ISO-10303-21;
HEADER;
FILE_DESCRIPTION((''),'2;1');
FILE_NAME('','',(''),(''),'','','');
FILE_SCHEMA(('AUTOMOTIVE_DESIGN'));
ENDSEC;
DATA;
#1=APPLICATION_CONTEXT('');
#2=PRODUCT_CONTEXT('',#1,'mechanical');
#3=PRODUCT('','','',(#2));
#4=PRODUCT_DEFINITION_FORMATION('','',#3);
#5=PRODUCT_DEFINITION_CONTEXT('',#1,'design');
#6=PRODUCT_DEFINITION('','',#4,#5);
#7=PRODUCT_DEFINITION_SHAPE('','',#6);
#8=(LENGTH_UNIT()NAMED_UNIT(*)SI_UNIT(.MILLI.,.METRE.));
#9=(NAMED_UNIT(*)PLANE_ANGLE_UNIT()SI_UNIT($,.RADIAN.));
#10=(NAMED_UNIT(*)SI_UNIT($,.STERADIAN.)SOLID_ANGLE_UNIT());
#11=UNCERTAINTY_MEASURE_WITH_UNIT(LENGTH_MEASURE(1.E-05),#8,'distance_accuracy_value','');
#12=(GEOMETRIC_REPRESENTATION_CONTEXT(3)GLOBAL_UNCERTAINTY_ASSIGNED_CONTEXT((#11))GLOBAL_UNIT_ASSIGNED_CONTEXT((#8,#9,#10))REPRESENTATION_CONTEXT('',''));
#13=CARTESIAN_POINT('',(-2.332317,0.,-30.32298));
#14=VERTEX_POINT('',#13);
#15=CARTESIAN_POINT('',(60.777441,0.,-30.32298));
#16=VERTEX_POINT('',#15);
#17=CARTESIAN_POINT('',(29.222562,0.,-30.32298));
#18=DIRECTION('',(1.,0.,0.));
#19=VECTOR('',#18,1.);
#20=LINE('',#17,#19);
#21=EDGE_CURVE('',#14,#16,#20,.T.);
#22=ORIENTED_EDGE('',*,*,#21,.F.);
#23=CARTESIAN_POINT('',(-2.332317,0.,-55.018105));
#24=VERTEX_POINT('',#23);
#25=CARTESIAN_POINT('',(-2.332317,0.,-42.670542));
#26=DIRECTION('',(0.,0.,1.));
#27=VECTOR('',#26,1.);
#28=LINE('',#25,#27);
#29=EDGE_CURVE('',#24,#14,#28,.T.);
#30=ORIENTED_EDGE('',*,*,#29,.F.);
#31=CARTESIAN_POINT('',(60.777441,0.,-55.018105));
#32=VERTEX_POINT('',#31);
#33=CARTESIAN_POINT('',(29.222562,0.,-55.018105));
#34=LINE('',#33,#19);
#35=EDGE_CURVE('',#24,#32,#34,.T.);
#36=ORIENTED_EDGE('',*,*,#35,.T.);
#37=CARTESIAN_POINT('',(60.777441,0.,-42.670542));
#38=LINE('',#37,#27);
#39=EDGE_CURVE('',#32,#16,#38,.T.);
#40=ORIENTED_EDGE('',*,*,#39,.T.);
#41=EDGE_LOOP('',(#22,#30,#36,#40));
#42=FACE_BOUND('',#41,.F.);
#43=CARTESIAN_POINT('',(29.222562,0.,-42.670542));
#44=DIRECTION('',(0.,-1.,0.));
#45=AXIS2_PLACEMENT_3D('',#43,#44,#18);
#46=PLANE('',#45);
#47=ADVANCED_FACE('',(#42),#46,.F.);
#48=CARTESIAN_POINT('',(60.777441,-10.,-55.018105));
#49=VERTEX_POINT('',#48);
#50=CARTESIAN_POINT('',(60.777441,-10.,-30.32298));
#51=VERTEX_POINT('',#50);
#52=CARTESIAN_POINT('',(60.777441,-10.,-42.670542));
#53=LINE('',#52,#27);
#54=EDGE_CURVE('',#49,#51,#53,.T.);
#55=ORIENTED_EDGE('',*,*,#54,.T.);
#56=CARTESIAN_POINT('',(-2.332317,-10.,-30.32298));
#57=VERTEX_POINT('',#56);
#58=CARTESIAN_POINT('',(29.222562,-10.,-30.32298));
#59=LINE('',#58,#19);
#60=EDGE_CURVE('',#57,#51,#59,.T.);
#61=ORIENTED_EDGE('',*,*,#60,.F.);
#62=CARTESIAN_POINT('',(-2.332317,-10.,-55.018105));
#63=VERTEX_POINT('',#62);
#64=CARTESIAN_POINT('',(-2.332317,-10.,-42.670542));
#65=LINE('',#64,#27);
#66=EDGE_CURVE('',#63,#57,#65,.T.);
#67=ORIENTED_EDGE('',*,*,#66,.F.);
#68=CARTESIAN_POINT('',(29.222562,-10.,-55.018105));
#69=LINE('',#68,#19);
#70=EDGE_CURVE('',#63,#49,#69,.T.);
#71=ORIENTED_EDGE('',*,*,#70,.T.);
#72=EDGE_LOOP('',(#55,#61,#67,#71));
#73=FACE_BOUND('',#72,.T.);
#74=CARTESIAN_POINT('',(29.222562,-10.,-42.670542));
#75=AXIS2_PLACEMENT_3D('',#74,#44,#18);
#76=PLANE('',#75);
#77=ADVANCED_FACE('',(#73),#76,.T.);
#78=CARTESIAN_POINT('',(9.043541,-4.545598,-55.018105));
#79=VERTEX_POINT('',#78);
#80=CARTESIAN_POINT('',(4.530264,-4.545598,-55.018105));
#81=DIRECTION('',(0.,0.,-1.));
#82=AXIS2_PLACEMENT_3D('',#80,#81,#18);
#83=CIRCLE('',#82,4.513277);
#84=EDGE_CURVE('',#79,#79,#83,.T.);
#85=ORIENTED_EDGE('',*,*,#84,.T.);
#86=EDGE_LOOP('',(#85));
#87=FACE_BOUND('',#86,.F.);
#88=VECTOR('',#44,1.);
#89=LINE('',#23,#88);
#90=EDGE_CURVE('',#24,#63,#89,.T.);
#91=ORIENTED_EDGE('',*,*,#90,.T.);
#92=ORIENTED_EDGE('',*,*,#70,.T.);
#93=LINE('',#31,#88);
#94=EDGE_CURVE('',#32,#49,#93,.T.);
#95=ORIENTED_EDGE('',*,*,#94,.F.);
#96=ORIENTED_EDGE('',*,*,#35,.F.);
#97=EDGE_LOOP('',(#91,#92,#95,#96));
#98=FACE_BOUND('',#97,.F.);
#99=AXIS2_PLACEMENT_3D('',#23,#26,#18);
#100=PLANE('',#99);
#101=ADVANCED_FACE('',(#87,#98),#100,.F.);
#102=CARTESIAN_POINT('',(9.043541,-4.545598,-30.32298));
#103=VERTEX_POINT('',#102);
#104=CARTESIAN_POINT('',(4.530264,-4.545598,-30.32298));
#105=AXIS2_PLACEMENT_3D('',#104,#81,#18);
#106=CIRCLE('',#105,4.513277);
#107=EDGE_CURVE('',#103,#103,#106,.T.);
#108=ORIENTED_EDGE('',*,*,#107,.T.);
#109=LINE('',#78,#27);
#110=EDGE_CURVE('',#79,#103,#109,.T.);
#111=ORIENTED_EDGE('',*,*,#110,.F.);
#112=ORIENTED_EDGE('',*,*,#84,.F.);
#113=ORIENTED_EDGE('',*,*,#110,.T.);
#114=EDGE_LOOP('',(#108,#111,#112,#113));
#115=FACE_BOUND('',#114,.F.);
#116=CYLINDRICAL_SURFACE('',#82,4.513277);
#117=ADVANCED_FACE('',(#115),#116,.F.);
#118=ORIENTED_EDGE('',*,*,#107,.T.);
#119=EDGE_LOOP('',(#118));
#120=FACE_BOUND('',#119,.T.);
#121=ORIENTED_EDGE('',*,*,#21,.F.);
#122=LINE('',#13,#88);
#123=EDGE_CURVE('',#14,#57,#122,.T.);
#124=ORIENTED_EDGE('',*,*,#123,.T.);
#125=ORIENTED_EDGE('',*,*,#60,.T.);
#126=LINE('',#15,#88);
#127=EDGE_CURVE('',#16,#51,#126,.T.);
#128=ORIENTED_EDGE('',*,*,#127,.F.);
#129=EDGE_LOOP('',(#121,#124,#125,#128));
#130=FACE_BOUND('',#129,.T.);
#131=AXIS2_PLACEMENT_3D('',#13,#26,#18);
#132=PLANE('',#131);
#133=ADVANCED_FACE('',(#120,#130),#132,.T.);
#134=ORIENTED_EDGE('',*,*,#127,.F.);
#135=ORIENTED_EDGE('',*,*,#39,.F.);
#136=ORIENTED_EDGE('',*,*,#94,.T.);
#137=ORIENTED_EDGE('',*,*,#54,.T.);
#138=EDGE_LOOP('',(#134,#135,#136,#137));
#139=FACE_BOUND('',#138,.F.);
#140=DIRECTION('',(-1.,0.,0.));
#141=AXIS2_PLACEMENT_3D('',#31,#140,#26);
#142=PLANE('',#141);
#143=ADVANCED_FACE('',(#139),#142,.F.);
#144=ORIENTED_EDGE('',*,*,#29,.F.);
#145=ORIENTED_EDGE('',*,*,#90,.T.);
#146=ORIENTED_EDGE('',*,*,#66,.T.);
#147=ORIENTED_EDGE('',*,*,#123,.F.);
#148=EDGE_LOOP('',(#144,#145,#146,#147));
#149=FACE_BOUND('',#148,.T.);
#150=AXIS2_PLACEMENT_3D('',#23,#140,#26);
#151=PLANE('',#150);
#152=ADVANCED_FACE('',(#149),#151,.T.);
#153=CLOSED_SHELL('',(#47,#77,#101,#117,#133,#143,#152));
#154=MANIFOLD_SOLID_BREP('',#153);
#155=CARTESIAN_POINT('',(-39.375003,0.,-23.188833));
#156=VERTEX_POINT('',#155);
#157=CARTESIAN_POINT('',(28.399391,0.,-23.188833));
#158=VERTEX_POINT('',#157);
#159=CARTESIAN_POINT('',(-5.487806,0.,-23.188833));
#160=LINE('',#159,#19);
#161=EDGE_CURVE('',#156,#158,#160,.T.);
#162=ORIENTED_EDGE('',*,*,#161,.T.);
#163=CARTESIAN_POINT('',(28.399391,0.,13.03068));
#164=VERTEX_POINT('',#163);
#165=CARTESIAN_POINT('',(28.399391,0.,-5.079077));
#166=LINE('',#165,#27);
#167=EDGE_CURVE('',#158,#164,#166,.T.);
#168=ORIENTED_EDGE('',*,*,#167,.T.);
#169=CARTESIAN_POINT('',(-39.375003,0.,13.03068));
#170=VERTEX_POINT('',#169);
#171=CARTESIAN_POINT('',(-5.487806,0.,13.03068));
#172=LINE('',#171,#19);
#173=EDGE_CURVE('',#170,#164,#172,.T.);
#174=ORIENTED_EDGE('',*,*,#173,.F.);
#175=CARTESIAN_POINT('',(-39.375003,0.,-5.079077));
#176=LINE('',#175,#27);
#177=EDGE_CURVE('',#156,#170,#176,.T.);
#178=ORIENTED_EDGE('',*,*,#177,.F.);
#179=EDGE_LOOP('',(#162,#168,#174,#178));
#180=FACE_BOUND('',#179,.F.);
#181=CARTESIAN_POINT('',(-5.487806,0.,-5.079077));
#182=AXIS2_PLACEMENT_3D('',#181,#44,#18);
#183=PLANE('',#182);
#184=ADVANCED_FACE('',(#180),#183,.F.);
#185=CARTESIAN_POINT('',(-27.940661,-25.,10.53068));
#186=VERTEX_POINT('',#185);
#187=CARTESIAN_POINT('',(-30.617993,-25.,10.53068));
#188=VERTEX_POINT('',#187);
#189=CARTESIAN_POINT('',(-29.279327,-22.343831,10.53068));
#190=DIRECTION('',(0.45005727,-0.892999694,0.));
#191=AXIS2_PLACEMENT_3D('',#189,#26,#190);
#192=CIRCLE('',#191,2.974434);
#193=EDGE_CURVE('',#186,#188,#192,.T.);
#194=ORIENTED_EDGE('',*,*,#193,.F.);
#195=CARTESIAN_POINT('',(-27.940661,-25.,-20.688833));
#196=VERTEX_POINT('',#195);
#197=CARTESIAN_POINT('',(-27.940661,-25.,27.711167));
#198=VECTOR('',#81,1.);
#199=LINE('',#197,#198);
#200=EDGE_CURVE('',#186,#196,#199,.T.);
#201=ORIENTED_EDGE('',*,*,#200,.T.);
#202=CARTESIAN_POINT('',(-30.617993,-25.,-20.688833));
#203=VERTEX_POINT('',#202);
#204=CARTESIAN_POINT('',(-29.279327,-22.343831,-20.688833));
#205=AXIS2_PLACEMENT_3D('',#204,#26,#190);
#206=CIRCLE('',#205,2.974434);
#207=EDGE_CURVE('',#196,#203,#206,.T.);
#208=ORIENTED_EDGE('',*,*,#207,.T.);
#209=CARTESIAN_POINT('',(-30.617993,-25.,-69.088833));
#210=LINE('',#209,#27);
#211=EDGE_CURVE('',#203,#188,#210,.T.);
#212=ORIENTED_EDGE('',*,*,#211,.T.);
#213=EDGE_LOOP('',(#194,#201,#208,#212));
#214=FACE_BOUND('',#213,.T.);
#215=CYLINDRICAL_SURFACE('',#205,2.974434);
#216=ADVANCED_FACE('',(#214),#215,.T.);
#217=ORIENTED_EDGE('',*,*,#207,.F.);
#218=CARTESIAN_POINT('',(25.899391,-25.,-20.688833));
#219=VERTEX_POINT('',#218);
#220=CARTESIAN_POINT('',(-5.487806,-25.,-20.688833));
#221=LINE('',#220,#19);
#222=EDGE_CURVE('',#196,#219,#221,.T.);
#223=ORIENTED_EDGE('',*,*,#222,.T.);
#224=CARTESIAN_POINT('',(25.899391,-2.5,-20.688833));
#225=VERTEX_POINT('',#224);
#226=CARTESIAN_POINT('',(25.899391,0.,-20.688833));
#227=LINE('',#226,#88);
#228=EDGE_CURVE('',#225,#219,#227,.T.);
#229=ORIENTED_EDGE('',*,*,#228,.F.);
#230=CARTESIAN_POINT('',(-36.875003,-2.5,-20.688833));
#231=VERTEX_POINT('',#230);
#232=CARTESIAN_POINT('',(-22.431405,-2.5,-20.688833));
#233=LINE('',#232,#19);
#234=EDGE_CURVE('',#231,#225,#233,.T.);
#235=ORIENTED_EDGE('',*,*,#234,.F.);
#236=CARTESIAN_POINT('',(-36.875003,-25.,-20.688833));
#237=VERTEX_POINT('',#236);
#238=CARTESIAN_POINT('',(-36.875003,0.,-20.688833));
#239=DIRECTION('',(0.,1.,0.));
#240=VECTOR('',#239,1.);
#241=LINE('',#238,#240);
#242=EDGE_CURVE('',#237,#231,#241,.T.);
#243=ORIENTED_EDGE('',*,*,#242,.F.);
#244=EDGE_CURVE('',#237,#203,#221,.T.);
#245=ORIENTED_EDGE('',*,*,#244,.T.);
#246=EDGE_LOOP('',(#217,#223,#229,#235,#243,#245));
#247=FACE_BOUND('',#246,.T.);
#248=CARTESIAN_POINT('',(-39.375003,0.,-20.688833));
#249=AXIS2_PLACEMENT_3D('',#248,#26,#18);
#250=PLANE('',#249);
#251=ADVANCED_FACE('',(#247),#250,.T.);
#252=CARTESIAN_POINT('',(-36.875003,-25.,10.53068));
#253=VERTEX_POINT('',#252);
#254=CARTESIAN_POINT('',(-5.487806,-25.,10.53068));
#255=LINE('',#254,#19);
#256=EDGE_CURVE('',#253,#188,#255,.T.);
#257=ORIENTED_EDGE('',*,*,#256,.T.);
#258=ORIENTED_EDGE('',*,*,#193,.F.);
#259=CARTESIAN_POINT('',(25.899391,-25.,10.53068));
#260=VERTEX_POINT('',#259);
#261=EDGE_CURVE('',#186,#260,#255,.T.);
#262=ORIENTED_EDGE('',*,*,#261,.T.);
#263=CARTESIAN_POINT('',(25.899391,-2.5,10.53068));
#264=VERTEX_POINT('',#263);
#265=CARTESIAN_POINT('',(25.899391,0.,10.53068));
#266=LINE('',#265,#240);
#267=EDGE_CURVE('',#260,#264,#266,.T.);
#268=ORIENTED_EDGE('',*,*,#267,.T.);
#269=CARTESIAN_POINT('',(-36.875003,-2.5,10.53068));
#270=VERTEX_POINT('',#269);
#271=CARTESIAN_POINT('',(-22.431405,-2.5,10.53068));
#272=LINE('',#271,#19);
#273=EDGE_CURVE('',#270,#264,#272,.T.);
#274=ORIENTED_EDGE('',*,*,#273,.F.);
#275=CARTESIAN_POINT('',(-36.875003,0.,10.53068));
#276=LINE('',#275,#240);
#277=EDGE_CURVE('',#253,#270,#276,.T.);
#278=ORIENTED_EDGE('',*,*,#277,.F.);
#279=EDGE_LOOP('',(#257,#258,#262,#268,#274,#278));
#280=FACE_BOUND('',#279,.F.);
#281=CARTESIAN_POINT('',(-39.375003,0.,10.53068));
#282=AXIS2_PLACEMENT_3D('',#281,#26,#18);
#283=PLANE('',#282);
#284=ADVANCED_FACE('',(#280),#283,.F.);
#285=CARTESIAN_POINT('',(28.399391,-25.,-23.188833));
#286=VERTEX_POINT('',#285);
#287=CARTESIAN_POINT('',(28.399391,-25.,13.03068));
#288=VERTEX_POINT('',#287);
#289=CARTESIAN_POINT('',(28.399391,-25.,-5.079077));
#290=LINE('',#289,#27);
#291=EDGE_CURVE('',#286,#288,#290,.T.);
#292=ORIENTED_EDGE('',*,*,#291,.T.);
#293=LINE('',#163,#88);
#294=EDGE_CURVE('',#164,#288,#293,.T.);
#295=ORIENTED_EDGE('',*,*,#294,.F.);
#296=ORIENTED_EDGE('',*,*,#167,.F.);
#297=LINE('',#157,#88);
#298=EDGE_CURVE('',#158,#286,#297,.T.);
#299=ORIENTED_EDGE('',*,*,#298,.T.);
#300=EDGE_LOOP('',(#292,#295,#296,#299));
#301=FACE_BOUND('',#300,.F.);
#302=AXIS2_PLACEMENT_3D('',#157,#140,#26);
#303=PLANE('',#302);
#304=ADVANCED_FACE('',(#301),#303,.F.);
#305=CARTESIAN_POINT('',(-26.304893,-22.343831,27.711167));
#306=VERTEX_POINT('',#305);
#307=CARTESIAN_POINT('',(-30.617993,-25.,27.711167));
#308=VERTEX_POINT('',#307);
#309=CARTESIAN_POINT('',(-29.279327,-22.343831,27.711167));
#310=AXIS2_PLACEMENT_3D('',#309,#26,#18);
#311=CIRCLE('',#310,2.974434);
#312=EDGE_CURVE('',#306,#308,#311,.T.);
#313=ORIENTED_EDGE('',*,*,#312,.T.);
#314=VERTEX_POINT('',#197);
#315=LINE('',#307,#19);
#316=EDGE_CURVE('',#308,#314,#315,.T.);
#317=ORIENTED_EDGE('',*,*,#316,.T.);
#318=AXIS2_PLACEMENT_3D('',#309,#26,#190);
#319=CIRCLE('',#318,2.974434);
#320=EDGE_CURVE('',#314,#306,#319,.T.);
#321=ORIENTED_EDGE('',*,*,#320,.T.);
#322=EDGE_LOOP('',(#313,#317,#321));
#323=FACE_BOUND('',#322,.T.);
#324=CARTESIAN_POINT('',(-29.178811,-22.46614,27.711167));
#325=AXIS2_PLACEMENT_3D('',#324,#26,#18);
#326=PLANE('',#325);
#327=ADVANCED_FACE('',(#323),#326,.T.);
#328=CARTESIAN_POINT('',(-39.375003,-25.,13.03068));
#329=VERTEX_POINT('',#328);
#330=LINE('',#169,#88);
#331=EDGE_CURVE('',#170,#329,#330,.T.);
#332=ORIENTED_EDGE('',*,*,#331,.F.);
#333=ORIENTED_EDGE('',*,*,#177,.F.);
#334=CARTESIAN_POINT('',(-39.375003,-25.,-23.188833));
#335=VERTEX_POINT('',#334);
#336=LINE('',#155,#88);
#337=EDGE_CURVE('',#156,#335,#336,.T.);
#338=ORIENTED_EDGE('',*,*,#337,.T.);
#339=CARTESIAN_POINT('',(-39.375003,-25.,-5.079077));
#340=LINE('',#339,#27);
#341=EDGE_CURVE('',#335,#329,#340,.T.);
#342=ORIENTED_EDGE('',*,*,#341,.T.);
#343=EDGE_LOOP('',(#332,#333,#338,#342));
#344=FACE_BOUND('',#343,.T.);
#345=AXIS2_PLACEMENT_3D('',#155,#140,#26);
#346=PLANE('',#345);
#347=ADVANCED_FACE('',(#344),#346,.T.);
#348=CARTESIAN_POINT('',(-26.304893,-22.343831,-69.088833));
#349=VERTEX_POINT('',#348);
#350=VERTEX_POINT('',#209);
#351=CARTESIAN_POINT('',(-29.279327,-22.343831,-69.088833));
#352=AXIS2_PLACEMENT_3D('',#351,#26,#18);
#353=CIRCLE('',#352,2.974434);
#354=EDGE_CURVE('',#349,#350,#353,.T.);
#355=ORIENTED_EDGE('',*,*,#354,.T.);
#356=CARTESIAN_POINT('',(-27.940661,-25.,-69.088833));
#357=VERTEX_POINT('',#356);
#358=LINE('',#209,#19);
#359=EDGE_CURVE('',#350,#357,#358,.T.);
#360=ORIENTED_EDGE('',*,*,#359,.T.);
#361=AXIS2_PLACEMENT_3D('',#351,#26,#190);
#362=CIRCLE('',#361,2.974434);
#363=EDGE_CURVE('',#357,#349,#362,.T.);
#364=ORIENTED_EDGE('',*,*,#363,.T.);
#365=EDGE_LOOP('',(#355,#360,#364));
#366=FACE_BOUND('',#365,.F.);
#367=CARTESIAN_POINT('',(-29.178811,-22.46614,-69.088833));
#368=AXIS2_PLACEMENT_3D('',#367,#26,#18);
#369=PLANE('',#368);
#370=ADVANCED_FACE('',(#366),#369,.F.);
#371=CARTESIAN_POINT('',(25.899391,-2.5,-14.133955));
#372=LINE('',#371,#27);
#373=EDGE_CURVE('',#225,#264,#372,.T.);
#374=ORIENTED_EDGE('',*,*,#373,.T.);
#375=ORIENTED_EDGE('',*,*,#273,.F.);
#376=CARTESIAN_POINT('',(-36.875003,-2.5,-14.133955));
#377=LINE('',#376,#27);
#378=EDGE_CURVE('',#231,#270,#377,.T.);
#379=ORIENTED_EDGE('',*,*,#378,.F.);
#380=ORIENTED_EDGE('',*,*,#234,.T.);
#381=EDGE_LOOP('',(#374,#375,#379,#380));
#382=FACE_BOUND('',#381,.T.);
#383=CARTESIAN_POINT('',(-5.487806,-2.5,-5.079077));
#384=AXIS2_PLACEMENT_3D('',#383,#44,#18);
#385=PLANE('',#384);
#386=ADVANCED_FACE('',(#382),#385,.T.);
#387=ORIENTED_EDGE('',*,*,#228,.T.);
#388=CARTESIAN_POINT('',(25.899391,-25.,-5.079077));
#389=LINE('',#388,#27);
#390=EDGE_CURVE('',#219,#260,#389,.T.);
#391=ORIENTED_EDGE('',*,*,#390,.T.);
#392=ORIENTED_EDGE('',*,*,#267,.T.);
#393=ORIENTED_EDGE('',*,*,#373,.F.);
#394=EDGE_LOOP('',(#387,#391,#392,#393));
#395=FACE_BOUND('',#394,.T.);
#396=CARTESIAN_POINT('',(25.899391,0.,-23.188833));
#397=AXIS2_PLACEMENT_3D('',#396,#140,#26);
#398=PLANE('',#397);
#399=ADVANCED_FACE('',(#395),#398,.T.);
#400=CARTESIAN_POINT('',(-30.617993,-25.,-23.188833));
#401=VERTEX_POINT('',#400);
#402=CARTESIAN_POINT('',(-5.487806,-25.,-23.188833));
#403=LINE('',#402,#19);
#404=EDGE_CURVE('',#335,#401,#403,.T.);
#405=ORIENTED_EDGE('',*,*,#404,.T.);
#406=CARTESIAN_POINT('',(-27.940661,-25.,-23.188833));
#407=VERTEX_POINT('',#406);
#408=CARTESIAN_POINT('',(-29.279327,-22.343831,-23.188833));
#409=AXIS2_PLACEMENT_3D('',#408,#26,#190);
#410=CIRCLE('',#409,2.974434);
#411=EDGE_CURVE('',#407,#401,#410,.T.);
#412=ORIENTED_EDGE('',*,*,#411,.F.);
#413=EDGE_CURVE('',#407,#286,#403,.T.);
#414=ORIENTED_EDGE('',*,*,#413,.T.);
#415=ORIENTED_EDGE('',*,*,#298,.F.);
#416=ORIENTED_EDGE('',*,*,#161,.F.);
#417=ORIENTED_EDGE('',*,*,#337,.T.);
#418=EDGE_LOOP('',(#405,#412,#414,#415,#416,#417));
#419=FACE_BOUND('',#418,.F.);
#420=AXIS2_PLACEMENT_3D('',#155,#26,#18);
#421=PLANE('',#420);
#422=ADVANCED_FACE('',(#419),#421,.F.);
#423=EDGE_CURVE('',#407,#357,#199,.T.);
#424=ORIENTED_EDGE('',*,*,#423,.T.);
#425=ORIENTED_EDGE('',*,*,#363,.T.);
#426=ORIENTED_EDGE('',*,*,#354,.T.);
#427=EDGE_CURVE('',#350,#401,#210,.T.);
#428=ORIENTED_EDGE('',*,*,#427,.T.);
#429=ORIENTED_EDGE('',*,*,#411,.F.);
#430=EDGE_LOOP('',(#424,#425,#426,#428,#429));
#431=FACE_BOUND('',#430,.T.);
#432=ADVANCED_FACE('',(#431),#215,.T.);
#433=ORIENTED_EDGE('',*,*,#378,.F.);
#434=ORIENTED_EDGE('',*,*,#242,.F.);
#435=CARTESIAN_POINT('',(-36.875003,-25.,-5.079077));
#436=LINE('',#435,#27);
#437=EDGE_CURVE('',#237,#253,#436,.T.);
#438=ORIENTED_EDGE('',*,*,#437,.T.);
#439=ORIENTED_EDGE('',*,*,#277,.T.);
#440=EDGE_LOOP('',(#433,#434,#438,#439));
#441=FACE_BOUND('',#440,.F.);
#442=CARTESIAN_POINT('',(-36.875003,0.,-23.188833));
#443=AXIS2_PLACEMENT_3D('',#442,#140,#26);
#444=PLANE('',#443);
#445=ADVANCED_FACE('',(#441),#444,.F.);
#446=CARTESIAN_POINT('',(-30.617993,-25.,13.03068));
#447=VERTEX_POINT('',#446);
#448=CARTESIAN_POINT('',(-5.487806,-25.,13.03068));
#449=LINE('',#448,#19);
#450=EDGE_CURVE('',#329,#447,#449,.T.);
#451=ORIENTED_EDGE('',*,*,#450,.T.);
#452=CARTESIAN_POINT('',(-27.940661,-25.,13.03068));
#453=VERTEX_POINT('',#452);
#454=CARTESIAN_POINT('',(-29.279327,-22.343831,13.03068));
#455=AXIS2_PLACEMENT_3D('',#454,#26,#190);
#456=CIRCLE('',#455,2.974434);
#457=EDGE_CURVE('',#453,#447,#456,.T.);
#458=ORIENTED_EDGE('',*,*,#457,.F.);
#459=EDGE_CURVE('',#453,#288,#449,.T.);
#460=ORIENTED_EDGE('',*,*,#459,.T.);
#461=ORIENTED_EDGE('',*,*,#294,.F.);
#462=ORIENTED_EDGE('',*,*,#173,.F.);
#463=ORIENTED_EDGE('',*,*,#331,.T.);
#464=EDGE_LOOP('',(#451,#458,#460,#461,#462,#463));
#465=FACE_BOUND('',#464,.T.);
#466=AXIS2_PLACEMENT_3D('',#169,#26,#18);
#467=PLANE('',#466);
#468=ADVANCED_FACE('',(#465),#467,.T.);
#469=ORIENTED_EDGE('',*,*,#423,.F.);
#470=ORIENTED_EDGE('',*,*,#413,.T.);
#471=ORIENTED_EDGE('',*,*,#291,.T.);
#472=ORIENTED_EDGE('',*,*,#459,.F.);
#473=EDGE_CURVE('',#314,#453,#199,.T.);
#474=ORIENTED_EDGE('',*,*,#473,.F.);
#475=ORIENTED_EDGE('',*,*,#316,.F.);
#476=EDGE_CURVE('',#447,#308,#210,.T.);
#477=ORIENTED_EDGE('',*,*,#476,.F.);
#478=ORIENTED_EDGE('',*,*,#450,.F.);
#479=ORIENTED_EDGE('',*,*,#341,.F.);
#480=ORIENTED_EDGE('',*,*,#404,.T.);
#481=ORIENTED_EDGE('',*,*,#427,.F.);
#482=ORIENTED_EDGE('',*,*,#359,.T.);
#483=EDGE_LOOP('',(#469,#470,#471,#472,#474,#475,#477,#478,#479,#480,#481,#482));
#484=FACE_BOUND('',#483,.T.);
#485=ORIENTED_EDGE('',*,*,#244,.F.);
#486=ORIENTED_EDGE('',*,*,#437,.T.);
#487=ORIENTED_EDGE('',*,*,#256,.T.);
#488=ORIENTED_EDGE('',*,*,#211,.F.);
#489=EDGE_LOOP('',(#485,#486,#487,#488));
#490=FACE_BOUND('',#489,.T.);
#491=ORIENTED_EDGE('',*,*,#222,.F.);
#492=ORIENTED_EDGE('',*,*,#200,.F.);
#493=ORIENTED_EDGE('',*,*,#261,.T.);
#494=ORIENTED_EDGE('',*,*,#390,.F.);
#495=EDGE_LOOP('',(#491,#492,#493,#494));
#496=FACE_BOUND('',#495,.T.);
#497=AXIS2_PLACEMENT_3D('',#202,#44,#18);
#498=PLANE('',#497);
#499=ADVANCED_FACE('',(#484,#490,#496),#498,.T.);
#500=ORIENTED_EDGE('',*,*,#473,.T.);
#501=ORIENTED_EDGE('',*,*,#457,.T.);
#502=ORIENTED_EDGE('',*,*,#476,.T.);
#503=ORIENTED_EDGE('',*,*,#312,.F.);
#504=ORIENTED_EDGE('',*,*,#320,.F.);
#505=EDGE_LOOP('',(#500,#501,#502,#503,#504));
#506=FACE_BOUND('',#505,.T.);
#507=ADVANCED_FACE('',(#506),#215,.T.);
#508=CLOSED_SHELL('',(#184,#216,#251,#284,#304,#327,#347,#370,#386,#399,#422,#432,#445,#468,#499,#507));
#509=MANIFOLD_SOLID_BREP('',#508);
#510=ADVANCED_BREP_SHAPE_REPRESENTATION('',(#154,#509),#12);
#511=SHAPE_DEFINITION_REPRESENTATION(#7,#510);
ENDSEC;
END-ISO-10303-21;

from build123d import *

# Parameters (mm, degrees)
F0_W      = 67.7743945271
F0_H      = 36.2195130438
F1_DEPTH  = 25
F2_T      = -2.5
F4_DEPTH  = 48.4
F6_W      = 63.1097578444
F6_H      = 24.6951244771
F7_DEPTH  = 10
F9_R      = 4.5132770752
F10_DEPTH = 82.7302714655


with BuildPart() as f1:
    # F0 (on Front) → F1 (new body)
    with BuildSketch(Plane.XZ):
        with Locations((-5.4878061637, -5.0790766254)):
            Rectangle(F0_W, F0_H)
    extrude(amount=F1_DEPTH)

    # F2
    f2_openings = [f1.faces().sort_by_distance(p)[0] for p in [
        (-5.487806, -25, -5.079077),
    ]]
    offset(amount=F2_T, openings=f2_openings)

    # F3 (on face) → F4 (join, symmetric)
    with BuildSketch(Plane.XY.offset(-20.6888331473)):
        with BuildLine():
            ThreePointArc((-27.9406612677, -25), (-26.7466375137, -23.9035563981), (-26.3048927837, -22.3438311368))
            ThreePointArc((-26.3048927837, -22.3438311368), (-30.8390522813, -19.8111416305), (-30.6179927724, -25))
            Line((-30.6179927724, -25), (-27.9406612677, -25))
        make_face()
    extrude(amount=F4_DEPTH, both=True)


with BuildPart() as f5_1:
    # F5: copy of F1
    add(f1.part)


with BuildPart() as f7:
    # F6 (on Front) → F7 (new body)
    with BuildSketch(Plane.XZ):
        with Locations((29.222561745, -42.6705423743)):
            Rectangle(F6_W, F6_H)
    extrude(amount=F7_DEPTH)

    # F9 (on face) → F10 (cut, through all)
    with BuildSketch(Plane(origin=(0, 0, -55.0181046128), x_dir=(1, 0, 0), z_dir=(0, 0, -1))):
        with Locations((4.5302640647, 4.5455978252)):
            Circle(F9_R)
    extrude(amount=-F10_DEPTH, mode=Mode.SUBTRACT)


solid = Compound([f1.part, f7.part])
